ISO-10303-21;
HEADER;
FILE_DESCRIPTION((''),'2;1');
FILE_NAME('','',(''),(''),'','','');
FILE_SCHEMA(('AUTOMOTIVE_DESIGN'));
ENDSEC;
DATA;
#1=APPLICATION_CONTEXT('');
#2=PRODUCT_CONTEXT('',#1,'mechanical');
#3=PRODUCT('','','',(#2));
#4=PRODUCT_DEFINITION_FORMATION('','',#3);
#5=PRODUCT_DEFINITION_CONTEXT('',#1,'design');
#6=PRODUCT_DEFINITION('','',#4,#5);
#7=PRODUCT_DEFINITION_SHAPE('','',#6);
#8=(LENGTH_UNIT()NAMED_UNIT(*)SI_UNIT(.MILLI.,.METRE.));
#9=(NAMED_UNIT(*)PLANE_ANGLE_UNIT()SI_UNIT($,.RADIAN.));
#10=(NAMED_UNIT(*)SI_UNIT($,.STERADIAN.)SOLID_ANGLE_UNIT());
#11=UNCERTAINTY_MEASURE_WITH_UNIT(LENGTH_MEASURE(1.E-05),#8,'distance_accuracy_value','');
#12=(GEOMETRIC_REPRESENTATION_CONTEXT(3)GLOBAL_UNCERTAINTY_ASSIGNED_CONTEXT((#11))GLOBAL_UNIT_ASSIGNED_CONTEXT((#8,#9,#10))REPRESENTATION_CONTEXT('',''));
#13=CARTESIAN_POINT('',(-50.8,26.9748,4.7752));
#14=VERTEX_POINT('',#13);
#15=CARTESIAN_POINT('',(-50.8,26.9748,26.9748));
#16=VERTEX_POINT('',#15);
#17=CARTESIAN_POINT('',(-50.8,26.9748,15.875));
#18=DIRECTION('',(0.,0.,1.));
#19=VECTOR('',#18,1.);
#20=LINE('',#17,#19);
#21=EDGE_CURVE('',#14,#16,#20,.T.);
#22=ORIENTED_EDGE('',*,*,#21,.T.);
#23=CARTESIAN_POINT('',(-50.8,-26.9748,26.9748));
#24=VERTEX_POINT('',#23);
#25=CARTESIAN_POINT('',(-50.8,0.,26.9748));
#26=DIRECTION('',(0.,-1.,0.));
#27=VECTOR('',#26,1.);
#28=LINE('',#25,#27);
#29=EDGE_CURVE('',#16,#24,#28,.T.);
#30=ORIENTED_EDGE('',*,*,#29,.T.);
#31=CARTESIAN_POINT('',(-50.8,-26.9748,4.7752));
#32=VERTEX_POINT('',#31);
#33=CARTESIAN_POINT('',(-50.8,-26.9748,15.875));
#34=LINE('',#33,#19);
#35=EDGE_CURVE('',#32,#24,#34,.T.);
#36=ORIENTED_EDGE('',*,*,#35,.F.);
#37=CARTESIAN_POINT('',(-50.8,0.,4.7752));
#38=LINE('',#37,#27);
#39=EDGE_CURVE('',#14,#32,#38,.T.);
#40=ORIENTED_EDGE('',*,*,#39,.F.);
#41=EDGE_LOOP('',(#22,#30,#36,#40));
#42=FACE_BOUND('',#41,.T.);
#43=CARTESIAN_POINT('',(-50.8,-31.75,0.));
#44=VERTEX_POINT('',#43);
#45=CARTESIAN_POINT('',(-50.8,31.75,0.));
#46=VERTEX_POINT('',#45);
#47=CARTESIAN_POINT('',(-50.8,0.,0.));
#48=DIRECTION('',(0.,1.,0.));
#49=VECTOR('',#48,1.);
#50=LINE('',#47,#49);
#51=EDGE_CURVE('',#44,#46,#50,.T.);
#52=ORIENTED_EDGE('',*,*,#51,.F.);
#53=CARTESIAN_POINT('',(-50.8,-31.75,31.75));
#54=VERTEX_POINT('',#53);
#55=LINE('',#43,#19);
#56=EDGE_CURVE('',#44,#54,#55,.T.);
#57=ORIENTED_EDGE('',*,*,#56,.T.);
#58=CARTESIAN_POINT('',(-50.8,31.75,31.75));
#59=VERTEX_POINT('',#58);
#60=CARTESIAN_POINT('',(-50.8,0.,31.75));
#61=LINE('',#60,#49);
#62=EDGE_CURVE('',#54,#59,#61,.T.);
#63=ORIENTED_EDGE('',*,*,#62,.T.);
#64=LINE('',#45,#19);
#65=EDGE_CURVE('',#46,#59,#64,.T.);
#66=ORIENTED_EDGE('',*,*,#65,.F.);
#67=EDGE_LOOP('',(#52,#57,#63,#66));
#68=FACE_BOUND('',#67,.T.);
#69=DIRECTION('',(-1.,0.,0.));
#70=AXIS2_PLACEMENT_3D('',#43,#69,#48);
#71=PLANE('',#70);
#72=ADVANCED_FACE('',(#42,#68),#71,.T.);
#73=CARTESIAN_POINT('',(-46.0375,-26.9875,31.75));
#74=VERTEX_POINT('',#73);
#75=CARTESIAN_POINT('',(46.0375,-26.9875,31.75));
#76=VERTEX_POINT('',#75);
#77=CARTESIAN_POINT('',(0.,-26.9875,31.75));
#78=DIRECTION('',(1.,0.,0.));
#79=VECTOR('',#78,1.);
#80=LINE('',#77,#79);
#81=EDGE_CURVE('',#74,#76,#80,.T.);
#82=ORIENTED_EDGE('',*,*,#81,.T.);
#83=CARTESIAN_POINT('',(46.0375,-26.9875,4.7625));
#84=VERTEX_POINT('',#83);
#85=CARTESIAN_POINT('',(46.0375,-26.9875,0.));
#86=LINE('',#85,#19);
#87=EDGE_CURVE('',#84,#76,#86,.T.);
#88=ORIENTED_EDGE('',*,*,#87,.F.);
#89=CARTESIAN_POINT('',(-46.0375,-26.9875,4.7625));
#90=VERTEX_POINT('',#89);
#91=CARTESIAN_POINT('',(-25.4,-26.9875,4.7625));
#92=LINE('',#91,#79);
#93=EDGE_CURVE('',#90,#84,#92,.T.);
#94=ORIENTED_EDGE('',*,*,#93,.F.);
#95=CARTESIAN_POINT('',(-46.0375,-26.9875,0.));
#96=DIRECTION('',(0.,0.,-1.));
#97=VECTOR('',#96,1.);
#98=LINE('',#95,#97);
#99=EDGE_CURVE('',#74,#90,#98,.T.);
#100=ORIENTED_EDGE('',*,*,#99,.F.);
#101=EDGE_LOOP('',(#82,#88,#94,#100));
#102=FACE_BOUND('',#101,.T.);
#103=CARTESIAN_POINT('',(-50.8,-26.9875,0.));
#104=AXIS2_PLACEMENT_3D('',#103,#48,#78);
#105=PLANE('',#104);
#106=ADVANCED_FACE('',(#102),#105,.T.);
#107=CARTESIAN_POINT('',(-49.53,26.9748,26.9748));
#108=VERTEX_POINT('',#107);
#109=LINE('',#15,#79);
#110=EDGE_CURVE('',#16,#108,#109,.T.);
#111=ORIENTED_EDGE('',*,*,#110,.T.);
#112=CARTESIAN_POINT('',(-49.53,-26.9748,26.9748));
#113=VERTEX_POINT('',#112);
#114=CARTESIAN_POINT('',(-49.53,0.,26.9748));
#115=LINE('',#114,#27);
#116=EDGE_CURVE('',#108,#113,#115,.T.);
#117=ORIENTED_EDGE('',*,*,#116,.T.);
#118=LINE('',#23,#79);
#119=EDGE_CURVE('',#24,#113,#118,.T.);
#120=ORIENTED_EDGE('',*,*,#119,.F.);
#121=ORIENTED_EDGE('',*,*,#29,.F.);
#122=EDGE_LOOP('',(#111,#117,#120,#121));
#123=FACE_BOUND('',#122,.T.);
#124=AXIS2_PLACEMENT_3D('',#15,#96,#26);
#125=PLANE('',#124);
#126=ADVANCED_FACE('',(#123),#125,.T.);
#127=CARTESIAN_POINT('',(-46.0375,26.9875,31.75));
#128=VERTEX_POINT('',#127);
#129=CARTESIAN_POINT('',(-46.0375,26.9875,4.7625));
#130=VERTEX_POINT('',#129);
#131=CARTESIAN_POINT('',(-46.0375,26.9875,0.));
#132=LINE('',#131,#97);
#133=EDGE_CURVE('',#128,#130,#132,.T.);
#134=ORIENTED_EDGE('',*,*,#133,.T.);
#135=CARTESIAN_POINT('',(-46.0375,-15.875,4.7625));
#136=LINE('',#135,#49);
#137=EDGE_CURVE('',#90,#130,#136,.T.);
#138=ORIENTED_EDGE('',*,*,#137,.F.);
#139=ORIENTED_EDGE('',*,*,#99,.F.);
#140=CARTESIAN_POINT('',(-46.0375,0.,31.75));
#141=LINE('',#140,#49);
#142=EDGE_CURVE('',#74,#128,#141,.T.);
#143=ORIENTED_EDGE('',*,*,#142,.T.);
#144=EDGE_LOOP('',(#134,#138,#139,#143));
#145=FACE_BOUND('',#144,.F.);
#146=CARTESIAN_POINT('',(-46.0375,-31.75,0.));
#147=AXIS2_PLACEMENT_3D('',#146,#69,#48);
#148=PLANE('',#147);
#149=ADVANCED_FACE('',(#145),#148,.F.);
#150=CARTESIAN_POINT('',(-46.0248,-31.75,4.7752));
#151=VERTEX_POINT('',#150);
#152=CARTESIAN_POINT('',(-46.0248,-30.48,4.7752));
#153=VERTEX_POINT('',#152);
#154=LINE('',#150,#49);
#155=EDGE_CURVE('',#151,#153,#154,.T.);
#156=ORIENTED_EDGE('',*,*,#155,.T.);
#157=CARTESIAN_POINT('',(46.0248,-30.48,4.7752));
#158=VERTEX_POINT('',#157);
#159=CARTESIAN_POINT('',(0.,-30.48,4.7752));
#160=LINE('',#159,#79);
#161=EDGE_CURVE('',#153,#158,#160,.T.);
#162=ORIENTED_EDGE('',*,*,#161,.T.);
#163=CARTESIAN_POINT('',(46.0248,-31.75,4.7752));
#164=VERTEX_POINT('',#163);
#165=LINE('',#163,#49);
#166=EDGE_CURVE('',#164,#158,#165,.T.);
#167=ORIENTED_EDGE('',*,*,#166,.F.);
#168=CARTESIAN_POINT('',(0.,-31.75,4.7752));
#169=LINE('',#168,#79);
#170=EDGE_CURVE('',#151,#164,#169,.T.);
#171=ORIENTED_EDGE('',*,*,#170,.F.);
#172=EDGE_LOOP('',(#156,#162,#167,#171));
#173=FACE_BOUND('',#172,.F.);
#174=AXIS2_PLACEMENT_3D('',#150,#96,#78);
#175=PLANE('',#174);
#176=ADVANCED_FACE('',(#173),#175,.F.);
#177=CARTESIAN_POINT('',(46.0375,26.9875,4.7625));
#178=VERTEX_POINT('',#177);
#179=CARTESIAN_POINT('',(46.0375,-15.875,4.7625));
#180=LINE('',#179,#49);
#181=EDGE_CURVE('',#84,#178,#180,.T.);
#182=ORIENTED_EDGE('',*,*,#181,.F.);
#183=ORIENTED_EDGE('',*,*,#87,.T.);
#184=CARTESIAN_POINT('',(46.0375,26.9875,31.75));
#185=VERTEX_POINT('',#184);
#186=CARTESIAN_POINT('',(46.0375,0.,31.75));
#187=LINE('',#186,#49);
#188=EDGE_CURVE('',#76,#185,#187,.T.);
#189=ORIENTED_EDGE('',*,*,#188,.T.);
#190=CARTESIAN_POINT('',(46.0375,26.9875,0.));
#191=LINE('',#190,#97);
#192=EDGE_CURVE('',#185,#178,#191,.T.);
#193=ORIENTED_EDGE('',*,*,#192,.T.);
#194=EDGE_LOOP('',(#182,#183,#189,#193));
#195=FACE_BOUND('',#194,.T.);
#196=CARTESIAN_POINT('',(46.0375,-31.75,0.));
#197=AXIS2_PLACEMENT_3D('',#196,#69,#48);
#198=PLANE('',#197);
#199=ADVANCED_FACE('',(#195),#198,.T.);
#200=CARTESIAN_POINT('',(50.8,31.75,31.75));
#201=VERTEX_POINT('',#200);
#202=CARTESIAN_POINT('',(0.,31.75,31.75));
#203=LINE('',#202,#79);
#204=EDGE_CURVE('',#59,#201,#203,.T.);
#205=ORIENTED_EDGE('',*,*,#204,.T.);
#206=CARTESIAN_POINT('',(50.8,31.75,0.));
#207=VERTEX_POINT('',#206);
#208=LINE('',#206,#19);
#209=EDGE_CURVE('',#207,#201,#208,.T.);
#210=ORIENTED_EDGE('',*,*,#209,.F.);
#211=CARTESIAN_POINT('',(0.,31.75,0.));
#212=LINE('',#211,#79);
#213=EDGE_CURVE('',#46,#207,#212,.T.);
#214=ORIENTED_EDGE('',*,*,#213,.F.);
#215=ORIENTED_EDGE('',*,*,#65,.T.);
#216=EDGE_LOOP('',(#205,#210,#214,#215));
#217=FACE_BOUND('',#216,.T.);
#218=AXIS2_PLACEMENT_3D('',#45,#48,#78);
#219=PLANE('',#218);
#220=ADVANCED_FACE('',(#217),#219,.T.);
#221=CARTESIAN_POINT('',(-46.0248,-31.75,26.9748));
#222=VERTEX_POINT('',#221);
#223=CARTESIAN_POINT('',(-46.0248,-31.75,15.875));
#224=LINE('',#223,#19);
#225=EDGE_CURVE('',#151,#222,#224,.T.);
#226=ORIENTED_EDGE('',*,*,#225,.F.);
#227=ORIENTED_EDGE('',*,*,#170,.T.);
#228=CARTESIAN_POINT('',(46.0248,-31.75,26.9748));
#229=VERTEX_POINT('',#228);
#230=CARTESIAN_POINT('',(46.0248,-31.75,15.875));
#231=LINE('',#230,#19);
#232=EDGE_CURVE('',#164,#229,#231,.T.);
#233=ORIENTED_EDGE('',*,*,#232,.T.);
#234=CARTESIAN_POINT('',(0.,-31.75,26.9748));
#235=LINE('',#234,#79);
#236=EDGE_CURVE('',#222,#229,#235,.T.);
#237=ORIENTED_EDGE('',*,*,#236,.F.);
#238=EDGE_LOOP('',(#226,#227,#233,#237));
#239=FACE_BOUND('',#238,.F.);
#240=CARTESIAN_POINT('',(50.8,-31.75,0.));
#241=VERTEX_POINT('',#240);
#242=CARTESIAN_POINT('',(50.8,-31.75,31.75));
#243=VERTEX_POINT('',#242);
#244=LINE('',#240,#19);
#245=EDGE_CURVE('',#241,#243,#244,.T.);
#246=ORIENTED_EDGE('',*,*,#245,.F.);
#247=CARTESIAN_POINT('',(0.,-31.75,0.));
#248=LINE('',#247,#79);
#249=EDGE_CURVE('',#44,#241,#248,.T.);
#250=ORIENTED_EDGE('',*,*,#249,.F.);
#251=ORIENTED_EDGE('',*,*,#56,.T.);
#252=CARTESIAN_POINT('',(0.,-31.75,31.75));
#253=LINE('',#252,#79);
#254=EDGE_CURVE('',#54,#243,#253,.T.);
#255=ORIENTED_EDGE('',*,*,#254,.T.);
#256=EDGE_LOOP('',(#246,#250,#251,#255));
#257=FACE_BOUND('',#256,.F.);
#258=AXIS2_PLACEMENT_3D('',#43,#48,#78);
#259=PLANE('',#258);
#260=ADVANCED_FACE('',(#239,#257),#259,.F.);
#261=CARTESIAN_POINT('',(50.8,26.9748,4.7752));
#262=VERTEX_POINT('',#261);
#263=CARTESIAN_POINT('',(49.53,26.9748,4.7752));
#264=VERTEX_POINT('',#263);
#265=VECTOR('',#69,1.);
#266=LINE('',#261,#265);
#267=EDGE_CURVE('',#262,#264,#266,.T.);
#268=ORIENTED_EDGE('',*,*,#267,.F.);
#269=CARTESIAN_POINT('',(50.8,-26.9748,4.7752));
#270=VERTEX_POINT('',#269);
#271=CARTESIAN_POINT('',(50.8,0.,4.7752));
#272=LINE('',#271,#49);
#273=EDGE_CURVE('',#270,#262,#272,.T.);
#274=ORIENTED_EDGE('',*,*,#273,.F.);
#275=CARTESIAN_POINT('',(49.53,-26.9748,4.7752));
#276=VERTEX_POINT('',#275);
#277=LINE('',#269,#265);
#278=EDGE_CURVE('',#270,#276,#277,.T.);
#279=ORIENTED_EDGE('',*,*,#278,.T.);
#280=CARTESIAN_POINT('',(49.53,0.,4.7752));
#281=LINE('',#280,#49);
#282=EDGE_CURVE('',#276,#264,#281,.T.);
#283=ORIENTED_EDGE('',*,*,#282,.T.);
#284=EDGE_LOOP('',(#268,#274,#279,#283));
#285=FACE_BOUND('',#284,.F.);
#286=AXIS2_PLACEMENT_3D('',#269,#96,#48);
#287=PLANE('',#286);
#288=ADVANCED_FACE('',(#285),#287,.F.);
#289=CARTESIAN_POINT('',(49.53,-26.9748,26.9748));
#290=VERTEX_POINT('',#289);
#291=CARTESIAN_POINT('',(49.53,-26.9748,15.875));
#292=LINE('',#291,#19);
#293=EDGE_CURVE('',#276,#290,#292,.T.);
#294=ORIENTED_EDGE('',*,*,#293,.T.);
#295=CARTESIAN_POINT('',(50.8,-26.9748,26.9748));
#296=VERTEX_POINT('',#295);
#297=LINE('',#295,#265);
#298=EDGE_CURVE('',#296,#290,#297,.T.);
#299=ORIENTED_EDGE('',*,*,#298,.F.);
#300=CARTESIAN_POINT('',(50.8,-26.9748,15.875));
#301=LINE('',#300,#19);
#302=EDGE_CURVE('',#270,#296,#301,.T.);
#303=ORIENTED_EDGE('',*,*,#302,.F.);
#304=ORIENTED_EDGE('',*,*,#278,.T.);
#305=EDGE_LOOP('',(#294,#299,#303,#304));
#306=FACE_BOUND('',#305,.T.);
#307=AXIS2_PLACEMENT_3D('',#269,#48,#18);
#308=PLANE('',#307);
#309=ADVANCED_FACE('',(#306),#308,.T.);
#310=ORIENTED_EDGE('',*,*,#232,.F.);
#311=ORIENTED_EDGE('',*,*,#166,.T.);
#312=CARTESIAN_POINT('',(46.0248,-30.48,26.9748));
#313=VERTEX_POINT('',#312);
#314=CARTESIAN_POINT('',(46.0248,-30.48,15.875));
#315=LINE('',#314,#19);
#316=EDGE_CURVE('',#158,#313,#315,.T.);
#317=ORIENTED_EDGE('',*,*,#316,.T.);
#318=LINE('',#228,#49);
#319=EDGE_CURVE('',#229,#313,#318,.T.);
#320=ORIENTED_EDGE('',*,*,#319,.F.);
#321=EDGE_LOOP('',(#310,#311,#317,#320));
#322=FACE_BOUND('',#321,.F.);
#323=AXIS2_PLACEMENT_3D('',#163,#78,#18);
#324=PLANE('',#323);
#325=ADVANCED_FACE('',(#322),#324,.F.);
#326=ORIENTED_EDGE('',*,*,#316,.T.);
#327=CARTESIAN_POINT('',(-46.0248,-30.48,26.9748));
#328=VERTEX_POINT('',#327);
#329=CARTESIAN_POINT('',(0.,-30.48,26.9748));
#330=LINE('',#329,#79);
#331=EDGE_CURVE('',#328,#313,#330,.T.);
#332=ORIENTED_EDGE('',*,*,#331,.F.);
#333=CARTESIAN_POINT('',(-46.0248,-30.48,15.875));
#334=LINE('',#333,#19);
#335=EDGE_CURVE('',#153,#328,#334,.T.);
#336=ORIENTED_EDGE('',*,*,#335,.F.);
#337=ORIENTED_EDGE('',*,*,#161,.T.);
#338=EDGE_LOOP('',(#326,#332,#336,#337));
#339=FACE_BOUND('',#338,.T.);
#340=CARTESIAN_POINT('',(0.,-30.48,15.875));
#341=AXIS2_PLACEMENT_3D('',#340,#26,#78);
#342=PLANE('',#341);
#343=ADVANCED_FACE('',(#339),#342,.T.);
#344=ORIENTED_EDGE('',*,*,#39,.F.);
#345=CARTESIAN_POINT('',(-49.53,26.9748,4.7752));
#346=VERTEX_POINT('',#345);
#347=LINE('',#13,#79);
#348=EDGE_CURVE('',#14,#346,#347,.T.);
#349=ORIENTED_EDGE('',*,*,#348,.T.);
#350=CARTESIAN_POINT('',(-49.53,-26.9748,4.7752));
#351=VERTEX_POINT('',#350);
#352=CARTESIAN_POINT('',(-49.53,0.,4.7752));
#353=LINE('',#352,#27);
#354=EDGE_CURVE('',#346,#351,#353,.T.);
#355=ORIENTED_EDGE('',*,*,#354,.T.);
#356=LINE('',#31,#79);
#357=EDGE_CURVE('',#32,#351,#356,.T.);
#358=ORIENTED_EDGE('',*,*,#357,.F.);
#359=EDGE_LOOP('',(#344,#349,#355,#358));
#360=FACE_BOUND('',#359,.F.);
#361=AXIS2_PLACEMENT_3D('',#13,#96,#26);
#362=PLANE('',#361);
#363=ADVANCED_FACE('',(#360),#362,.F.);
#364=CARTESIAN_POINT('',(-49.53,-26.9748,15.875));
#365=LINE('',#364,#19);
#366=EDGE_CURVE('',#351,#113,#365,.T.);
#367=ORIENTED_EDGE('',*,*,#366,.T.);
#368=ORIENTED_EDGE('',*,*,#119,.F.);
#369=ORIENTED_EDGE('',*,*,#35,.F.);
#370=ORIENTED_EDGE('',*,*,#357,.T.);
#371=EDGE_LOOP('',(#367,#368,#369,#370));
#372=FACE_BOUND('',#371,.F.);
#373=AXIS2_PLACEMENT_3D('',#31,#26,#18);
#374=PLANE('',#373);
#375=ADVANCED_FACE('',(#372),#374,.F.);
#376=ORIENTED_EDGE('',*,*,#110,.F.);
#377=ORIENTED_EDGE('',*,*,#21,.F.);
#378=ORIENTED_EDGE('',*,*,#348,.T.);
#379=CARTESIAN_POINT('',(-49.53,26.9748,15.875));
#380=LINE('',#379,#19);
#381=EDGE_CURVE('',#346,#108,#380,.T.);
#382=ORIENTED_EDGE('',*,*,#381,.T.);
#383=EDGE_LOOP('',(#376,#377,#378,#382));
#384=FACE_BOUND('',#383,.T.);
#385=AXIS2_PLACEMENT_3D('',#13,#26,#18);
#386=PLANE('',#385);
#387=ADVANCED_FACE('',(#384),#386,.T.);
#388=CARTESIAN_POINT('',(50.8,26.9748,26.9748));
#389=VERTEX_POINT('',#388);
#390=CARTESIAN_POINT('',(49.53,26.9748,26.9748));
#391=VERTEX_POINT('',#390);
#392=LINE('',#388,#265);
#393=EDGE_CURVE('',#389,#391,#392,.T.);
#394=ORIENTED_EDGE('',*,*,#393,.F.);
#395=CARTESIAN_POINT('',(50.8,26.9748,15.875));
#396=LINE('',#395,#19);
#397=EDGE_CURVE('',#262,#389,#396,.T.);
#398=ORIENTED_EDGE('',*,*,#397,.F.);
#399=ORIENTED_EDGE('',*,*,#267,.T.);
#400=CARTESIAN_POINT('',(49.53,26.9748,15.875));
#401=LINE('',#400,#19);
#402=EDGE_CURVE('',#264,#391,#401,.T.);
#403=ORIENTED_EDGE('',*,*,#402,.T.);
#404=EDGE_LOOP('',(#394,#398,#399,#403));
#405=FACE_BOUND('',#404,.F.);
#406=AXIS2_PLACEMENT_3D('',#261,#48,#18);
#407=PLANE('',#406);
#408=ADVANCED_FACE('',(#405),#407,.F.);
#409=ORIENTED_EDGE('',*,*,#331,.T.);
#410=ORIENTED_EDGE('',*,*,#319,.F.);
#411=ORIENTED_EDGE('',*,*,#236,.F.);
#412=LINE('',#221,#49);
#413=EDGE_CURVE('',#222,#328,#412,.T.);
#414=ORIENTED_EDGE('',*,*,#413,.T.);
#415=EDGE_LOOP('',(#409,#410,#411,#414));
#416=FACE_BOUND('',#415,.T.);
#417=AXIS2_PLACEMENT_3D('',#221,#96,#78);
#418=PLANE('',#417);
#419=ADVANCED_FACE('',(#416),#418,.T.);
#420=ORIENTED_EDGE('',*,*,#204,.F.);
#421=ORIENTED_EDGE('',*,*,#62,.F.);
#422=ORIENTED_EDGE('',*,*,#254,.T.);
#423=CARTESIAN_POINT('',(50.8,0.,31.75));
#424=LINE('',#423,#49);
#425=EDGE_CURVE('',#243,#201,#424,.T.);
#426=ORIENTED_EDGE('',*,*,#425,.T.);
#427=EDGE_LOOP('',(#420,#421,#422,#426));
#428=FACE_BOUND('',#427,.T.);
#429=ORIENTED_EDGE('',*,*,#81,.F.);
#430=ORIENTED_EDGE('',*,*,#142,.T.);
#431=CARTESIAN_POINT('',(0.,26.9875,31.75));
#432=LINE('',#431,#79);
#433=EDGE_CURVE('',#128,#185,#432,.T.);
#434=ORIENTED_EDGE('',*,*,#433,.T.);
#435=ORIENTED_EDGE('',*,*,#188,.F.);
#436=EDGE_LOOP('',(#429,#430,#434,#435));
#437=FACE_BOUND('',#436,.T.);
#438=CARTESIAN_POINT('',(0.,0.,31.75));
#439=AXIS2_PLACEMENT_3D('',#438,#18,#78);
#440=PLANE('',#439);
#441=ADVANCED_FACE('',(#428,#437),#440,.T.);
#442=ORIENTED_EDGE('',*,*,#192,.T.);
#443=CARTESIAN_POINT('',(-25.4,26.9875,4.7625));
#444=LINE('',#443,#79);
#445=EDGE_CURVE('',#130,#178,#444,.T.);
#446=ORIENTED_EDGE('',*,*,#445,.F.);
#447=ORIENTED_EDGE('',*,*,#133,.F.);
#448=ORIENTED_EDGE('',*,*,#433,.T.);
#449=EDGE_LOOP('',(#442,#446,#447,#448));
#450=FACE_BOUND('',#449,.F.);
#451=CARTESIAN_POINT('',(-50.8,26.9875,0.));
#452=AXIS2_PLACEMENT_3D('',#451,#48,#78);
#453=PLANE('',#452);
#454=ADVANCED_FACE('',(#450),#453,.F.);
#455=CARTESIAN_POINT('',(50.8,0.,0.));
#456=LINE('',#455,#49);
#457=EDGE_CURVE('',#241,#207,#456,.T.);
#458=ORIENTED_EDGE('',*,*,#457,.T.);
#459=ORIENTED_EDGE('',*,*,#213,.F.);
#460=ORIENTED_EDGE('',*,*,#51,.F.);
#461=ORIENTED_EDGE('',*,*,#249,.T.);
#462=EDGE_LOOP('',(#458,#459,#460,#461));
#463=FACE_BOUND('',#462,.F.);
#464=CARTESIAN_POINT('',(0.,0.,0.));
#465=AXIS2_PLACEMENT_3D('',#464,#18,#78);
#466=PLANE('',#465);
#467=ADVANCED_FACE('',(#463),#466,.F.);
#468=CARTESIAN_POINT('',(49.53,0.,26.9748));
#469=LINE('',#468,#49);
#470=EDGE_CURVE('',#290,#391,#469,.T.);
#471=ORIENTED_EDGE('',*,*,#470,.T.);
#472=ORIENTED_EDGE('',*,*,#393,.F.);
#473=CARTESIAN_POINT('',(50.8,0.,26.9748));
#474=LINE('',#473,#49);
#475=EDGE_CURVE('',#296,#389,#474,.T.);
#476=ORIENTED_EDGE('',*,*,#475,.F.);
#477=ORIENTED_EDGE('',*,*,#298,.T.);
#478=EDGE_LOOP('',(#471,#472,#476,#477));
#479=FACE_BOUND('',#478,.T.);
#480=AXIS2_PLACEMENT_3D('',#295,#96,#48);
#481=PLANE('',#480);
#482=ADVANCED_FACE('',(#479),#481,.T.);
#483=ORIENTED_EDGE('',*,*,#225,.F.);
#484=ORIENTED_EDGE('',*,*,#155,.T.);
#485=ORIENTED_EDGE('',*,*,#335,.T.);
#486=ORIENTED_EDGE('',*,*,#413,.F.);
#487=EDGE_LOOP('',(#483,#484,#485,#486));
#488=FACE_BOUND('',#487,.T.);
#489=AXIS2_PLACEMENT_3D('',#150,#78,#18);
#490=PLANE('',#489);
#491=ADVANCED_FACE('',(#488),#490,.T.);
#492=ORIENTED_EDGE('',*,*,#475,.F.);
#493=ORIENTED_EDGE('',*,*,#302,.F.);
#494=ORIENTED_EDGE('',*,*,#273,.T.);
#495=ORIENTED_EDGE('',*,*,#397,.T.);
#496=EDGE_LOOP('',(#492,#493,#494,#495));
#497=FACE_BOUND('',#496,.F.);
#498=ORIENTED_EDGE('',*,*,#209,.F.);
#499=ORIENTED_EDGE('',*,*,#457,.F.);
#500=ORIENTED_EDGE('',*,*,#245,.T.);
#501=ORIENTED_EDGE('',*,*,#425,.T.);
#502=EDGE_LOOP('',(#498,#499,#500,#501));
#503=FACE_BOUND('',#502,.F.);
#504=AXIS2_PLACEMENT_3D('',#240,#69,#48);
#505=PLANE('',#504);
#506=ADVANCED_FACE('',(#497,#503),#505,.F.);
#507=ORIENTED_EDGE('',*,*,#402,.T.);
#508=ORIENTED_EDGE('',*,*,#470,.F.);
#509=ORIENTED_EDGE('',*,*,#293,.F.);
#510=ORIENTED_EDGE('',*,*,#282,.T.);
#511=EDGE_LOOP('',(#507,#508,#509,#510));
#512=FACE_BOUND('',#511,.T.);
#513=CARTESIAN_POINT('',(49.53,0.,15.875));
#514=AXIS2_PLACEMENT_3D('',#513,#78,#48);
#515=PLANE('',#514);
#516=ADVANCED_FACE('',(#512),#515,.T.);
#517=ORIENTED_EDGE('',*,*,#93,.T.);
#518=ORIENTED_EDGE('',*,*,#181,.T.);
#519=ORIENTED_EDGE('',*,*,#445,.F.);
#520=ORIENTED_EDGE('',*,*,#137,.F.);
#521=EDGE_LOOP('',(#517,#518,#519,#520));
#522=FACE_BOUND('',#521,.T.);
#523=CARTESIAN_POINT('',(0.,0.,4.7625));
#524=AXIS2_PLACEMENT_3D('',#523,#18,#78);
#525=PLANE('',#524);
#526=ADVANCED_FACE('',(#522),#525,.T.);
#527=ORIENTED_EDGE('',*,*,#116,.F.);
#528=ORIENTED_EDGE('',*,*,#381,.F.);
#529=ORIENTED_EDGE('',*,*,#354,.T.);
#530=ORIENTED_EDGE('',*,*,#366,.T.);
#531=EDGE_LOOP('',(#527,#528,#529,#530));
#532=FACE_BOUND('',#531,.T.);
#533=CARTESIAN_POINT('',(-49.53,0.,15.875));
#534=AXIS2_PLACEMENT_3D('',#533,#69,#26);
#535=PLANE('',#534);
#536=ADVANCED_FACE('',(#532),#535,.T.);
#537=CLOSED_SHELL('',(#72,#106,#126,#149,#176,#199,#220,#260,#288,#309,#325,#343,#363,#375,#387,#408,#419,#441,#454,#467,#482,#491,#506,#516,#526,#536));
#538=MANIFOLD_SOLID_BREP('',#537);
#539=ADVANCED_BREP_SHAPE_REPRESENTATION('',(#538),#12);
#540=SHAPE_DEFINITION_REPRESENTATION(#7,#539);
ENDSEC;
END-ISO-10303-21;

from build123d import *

# Parameters (mm, degrees)
F0_W     = 101.6
F0_H     = 63.5
F1_DEPTH = 31.75
F2_T     = -4.7625
F4_W     = 53.9496
F4_H     = 22.1996
F6_DEPTH = 1.27
F3_W     = 92.0496
F3_H     = 22.1996
F7_DEPTH = 1.27
F5_W     = 53.9496
F5_H     = 22.1996
F8_DEPTH = 1.27


with BuildPart() as f1:
    # F0 (on Top) → F1 (new body)
    with BuildSketch(Plane.XY):
        Rectangle(F0_W, F0_H)
    extrude(amount=F1_DEPTH)

    # F2
    f2_openings = [f1.faces().sort_by_distance(p)[0] for p in [
        (0, 0, 31.75),
    ]]
    offset(amount=F2_T, openings=f2_openings)

    # F4 (on face) → F6 (cut)
    with BuildSketch(Plane.YZ.offset(50.8)):
        with Locations((0, 15.875)):
            Rectangle(F4_W, F4_H)
    extrude(amount=-F6_DEPTH, mode=Mode.SUBTRACT)

    # F3 (on face) → F7 (cut)
    with BuildSketch(Plane.XZ.offset(31.75)):
        with Locations((0, 15.875)):
            Rectangle(F3_W, F3_H)
    extrude(amount=-F7_DEPTH, mode=Mode.SUBTRACT)

    # F5 (on face) → F8 (cut)
    with BuildSketch(Plane(origin=(-50.8, 0, 0), x_dir=(0, -1, 0), z_dir=(-1, 0, 0))):
        with Locations((0, 15.875)):
            Rectangle(F5_W, F5_H)
    extrude(amount=-F8_DEPTH, mode=Mode.SUBTRACT)


solid = f1.part
